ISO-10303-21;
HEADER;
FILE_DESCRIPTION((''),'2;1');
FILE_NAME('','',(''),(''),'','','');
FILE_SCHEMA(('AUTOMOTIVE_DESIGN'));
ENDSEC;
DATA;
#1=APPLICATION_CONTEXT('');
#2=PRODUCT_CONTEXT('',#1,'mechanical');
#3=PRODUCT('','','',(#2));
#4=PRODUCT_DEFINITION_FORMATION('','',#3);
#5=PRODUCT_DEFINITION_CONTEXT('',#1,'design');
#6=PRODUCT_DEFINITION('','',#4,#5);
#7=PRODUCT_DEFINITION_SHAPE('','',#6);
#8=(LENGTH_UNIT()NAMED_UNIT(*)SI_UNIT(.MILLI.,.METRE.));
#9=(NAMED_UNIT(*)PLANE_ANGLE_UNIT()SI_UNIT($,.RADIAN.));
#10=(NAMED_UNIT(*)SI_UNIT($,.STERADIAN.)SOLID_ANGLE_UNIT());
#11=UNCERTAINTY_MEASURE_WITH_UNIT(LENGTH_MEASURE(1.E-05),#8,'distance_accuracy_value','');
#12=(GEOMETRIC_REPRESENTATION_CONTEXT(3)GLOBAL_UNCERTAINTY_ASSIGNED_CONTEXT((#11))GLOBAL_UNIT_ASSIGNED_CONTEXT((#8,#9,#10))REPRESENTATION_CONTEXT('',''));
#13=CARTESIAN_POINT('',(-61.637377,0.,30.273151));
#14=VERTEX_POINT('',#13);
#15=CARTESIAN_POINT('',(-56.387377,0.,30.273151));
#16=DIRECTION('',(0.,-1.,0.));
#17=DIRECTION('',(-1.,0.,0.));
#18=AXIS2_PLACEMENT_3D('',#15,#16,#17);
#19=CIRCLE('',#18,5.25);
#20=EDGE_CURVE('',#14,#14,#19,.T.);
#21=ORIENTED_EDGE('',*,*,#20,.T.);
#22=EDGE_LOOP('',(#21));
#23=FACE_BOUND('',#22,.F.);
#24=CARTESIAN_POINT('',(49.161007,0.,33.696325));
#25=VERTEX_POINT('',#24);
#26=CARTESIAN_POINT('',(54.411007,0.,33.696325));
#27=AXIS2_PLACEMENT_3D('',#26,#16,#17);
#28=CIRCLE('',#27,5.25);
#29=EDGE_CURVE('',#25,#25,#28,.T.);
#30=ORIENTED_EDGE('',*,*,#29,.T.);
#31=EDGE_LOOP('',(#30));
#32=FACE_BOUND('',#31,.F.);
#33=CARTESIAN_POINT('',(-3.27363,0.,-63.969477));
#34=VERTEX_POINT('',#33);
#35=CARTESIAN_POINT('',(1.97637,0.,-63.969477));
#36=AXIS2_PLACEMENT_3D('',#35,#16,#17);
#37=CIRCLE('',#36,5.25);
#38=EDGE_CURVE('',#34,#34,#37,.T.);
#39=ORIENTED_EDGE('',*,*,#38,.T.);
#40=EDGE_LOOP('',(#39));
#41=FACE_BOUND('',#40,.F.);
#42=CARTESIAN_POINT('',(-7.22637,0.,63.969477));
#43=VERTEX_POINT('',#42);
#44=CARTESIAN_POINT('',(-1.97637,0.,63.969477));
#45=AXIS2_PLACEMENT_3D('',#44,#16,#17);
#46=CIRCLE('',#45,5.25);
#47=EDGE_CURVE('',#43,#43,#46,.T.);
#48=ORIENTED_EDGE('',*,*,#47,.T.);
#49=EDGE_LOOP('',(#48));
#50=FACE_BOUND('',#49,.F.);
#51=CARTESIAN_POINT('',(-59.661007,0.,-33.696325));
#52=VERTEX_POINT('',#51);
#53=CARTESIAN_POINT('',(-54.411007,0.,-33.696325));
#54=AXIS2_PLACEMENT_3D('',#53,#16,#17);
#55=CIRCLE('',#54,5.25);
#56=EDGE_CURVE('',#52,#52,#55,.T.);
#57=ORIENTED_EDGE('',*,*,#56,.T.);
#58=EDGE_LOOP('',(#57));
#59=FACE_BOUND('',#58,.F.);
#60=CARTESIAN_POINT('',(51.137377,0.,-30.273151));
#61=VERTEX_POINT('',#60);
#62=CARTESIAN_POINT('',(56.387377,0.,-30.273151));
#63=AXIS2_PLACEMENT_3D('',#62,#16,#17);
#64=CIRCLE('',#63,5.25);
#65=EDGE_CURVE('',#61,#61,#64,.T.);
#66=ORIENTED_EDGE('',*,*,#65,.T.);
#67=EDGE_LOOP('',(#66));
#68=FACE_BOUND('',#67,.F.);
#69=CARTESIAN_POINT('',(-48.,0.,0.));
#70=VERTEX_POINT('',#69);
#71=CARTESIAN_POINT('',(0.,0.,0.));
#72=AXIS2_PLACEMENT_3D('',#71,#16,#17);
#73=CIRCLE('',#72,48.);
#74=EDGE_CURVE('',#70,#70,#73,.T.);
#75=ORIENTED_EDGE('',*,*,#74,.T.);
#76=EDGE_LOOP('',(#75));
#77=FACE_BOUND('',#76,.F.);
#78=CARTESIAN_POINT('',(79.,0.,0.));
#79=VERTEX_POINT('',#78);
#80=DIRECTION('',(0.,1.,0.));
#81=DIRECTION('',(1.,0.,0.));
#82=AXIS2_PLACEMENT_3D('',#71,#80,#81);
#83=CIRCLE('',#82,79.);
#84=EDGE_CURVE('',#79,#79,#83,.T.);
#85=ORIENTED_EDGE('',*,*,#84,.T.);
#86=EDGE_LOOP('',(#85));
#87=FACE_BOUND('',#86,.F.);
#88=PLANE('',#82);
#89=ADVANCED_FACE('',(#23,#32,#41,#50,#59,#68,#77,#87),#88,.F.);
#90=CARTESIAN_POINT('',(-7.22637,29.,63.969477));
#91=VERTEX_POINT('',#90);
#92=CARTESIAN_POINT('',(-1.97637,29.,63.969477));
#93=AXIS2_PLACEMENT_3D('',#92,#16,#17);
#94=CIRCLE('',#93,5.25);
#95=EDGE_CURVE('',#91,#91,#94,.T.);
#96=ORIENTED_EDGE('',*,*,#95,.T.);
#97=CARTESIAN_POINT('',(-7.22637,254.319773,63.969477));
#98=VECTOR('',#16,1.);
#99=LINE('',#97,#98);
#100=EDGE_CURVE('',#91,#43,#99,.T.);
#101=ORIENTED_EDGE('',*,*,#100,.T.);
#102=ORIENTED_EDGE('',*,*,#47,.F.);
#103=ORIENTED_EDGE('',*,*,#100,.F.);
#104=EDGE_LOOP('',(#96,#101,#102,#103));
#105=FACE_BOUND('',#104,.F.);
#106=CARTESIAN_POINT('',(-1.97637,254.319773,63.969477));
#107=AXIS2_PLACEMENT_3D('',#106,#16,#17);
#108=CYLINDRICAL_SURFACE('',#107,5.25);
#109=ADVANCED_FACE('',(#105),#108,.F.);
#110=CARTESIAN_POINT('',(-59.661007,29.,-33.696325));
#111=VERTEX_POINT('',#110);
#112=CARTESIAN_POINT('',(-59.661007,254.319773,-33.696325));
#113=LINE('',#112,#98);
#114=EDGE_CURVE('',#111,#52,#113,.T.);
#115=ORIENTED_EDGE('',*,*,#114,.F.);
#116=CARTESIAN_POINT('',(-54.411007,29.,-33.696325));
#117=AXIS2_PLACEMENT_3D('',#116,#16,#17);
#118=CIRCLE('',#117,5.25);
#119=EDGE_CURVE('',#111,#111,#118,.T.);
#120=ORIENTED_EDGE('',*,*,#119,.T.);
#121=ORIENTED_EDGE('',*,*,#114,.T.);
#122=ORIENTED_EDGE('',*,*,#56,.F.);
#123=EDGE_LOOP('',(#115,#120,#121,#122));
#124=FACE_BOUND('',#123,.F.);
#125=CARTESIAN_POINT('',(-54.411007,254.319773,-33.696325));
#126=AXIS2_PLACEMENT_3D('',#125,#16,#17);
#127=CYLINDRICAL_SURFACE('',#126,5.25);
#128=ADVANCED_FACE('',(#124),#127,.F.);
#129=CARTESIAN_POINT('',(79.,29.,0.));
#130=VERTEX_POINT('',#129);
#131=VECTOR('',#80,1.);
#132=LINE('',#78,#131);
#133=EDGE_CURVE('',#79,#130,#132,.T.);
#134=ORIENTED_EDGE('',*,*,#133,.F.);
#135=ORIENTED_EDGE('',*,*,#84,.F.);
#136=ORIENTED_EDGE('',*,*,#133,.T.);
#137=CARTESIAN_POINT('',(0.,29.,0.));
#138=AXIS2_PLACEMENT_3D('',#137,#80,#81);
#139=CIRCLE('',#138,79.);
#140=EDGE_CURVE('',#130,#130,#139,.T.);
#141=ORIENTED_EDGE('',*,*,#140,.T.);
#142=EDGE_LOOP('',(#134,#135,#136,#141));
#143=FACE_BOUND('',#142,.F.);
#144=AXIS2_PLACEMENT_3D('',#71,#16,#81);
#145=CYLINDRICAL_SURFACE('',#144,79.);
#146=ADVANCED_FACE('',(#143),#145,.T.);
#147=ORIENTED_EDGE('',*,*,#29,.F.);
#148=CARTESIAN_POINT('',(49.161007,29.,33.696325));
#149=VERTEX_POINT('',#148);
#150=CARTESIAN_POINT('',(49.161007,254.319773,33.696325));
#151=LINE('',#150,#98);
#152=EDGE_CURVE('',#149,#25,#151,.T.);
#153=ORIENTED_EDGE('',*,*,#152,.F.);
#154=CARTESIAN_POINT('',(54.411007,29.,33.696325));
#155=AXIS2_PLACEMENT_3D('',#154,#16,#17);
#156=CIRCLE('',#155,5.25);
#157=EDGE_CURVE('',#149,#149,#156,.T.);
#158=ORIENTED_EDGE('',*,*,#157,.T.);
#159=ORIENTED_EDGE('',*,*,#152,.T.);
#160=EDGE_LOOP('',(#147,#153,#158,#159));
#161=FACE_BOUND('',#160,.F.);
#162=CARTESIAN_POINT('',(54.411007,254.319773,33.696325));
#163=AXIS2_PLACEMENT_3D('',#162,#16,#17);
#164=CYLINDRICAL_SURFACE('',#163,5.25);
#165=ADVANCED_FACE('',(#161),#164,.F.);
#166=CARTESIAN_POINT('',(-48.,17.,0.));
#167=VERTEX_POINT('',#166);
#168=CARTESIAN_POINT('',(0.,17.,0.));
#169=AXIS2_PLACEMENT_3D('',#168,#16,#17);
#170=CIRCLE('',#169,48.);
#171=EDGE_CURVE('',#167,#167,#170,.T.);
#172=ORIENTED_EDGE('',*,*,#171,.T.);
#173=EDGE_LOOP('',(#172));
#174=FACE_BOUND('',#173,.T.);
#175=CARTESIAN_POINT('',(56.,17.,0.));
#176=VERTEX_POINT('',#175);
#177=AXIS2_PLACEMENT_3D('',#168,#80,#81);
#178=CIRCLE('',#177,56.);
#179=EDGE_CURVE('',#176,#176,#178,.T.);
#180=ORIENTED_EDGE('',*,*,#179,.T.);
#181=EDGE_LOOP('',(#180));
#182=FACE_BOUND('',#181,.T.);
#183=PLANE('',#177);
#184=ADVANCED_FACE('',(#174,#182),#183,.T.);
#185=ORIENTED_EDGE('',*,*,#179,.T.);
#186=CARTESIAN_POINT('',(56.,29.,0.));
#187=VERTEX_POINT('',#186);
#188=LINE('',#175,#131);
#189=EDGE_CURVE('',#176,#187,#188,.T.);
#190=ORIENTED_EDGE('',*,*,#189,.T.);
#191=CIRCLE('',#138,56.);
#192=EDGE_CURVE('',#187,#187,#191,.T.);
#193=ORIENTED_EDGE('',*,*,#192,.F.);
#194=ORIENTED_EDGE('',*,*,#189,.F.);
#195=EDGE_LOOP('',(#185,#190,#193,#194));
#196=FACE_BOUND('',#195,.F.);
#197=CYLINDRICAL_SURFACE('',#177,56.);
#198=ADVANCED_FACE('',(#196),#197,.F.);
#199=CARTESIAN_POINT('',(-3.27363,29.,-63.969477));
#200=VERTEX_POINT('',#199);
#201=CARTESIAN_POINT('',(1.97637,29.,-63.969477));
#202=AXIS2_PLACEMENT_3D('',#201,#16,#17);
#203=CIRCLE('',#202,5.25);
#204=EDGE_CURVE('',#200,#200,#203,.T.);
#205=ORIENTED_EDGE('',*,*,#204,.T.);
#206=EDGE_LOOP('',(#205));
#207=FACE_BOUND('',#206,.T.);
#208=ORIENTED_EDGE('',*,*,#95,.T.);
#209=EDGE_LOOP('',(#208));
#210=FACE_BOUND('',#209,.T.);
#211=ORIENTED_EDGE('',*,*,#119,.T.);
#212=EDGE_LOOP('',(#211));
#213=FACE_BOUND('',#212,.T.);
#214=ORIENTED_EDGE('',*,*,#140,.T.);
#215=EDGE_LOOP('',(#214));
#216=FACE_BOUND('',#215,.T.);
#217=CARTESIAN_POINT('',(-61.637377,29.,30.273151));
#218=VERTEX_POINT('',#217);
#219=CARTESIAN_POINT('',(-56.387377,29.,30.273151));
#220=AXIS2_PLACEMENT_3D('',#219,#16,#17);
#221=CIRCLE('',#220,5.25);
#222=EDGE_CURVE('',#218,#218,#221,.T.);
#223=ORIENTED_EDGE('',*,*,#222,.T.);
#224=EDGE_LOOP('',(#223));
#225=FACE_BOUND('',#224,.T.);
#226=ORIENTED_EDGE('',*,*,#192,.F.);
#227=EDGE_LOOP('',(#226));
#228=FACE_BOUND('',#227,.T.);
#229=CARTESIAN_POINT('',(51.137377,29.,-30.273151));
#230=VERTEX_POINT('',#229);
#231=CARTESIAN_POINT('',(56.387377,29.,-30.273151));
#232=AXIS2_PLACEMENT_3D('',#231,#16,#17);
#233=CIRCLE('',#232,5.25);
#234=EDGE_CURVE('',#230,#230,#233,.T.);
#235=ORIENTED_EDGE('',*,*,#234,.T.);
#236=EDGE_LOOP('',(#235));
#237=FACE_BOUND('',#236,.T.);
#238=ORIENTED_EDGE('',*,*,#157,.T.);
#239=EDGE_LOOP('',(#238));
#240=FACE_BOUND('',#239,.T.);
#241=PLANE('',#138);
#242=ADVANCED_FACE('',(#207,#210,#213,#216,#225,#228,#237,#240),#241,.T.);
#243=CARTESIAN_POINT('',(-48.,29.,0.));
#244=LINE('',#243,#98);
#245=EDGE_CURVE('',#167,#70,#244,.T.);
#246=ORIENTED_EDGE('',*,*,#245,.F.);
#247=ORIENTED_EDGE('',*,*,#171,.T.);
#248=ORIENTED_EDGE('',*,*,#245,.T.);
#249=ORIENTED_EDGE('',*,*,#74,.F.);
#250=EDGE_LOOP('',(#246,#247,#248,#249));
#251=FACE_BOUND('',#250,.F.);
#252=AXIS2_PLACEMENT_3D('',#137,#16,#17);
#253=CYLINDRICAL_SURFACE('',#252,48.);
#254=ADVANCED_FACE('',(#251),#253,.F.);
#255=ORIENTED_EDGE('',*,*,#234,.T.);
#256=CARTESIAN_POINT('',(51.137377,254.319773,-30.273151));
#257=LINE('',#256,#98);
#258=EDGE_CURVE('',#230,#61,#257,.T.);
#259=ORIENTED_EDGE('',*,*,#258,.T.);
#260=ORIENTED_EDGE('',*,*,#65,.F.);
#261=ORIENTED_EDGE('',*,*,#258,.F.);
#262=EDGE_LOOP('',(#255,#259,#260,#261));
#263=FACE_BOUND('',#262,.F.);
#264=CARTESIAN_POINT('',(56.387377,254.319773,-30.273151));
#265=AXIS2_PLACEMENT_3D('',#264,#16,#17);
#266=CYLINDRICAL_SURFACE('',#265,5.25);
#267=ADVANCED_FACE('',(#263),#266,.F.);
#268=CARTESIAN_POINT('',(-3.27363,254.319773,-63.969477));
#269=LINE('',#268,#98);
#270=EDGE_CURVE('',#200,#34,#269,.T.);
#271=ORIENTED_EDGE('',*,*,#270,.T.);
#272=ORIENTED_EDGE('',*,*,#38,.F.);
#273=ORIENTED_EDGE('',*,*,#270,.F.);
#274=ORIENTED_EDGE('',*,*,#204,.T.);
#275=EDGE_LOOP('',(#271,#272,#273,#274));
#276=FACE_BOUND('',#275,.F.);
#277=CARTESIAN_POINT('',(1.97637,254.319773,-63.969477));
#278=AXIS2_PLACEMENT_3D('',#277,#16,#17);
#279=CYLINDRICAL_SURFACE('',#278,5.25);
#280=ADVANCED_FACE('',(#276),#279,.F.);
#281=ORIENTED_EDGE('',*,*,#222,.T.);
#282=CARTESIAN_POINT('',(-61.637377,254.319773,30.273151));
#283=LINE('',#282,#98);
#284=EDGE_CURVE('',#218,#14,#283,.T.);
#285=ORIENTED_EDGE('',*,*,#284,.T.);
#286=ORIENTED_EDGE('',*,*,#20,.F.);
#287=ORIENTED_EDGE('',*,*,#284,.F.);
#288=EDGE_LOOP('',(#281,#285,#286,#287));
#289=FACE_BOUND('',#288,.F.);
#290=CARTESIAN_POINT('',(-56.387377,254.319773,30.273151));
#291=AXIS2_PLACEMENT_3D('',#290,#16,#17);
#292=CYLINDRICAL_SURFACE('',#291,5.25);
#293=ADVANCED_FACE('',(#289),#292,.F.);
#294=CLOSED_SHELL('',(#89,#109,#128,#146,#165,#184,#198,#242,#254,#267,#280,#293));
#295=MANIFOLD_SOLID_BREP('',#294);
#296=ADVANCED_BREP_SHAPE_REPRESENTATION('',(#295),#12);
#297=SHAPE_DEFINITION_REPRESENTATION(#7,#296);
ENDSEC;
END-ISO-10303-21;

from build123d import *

# Parameters (mm, degrees)
SKETCH1_R                                           = 79
BOSS_EXTRUDE1_DEPTH                                 = 29
CBORE_FOR_00_BINDING_HEAD_MACHINE_SCREW_D           = 96.000000024
CBORE_FOR_00_BINDING_HEAD_MACHINE_SCREW_CBORE_D     = 112.000000028
CBORE_FOR_00_BINDING_HEAD_MACHINE_SCREW_CBORE_DEPTH = 11.999999876
TAP_DRILL_FOR_M12X1_5_TAP2_D                        = 10.5


with BuildPart() as part:
    # Sketch1 → Boss-Extrude1 (new body)
    with BuildSketch(Plane(origin=(0, 0, 0), x_dir=(1, 0, 0), z_dir=(0, 1, 0))):
        Circle(SKETCH1_R)
    extrude(amount=BOSS_EXTRUDE1_DEPTH)

    # CBORE for #00 Binding Head Machine Screw1 (through all)
    with Locations(Plane(origin=(0, 29, 0), x_dir=(1, 0, 0), z_dir=(0, 1, 0))):
        with Locations((0, 0)):
            CounterBoreHole(CBORE_FOR_00_BINDING_HEAD_MACHINE_SCREW_D / 2, CBORE_FOR_00_BINDING_HEAD_MACHINE_SCREW_CBORE_D / 2, CBORE_FOR_00_BINDING_HEAD_MACHINE_SCREW_CBORE_DEPTH)

    # Tap Drill for M12x1.5 Tap2 (through all)
    with Locations(Plane(origin=(0, 29, 0), x_dir=(1, 0, 0), z_dir=(0, 1, 0))):
        with Locations((54.411006739, -33.696325403), (-1.976370444, -63.969476783), (-56.387377183, -30.27315138), (-54.411006739, 33.696325403), (1.976370444, 63.969476783), (56.387377183, 30.27315138), (0, 0)):
            Hole(TAP_DRILL_FOR_M12X1_5_TAP2_D / 2)


solid = part.part
